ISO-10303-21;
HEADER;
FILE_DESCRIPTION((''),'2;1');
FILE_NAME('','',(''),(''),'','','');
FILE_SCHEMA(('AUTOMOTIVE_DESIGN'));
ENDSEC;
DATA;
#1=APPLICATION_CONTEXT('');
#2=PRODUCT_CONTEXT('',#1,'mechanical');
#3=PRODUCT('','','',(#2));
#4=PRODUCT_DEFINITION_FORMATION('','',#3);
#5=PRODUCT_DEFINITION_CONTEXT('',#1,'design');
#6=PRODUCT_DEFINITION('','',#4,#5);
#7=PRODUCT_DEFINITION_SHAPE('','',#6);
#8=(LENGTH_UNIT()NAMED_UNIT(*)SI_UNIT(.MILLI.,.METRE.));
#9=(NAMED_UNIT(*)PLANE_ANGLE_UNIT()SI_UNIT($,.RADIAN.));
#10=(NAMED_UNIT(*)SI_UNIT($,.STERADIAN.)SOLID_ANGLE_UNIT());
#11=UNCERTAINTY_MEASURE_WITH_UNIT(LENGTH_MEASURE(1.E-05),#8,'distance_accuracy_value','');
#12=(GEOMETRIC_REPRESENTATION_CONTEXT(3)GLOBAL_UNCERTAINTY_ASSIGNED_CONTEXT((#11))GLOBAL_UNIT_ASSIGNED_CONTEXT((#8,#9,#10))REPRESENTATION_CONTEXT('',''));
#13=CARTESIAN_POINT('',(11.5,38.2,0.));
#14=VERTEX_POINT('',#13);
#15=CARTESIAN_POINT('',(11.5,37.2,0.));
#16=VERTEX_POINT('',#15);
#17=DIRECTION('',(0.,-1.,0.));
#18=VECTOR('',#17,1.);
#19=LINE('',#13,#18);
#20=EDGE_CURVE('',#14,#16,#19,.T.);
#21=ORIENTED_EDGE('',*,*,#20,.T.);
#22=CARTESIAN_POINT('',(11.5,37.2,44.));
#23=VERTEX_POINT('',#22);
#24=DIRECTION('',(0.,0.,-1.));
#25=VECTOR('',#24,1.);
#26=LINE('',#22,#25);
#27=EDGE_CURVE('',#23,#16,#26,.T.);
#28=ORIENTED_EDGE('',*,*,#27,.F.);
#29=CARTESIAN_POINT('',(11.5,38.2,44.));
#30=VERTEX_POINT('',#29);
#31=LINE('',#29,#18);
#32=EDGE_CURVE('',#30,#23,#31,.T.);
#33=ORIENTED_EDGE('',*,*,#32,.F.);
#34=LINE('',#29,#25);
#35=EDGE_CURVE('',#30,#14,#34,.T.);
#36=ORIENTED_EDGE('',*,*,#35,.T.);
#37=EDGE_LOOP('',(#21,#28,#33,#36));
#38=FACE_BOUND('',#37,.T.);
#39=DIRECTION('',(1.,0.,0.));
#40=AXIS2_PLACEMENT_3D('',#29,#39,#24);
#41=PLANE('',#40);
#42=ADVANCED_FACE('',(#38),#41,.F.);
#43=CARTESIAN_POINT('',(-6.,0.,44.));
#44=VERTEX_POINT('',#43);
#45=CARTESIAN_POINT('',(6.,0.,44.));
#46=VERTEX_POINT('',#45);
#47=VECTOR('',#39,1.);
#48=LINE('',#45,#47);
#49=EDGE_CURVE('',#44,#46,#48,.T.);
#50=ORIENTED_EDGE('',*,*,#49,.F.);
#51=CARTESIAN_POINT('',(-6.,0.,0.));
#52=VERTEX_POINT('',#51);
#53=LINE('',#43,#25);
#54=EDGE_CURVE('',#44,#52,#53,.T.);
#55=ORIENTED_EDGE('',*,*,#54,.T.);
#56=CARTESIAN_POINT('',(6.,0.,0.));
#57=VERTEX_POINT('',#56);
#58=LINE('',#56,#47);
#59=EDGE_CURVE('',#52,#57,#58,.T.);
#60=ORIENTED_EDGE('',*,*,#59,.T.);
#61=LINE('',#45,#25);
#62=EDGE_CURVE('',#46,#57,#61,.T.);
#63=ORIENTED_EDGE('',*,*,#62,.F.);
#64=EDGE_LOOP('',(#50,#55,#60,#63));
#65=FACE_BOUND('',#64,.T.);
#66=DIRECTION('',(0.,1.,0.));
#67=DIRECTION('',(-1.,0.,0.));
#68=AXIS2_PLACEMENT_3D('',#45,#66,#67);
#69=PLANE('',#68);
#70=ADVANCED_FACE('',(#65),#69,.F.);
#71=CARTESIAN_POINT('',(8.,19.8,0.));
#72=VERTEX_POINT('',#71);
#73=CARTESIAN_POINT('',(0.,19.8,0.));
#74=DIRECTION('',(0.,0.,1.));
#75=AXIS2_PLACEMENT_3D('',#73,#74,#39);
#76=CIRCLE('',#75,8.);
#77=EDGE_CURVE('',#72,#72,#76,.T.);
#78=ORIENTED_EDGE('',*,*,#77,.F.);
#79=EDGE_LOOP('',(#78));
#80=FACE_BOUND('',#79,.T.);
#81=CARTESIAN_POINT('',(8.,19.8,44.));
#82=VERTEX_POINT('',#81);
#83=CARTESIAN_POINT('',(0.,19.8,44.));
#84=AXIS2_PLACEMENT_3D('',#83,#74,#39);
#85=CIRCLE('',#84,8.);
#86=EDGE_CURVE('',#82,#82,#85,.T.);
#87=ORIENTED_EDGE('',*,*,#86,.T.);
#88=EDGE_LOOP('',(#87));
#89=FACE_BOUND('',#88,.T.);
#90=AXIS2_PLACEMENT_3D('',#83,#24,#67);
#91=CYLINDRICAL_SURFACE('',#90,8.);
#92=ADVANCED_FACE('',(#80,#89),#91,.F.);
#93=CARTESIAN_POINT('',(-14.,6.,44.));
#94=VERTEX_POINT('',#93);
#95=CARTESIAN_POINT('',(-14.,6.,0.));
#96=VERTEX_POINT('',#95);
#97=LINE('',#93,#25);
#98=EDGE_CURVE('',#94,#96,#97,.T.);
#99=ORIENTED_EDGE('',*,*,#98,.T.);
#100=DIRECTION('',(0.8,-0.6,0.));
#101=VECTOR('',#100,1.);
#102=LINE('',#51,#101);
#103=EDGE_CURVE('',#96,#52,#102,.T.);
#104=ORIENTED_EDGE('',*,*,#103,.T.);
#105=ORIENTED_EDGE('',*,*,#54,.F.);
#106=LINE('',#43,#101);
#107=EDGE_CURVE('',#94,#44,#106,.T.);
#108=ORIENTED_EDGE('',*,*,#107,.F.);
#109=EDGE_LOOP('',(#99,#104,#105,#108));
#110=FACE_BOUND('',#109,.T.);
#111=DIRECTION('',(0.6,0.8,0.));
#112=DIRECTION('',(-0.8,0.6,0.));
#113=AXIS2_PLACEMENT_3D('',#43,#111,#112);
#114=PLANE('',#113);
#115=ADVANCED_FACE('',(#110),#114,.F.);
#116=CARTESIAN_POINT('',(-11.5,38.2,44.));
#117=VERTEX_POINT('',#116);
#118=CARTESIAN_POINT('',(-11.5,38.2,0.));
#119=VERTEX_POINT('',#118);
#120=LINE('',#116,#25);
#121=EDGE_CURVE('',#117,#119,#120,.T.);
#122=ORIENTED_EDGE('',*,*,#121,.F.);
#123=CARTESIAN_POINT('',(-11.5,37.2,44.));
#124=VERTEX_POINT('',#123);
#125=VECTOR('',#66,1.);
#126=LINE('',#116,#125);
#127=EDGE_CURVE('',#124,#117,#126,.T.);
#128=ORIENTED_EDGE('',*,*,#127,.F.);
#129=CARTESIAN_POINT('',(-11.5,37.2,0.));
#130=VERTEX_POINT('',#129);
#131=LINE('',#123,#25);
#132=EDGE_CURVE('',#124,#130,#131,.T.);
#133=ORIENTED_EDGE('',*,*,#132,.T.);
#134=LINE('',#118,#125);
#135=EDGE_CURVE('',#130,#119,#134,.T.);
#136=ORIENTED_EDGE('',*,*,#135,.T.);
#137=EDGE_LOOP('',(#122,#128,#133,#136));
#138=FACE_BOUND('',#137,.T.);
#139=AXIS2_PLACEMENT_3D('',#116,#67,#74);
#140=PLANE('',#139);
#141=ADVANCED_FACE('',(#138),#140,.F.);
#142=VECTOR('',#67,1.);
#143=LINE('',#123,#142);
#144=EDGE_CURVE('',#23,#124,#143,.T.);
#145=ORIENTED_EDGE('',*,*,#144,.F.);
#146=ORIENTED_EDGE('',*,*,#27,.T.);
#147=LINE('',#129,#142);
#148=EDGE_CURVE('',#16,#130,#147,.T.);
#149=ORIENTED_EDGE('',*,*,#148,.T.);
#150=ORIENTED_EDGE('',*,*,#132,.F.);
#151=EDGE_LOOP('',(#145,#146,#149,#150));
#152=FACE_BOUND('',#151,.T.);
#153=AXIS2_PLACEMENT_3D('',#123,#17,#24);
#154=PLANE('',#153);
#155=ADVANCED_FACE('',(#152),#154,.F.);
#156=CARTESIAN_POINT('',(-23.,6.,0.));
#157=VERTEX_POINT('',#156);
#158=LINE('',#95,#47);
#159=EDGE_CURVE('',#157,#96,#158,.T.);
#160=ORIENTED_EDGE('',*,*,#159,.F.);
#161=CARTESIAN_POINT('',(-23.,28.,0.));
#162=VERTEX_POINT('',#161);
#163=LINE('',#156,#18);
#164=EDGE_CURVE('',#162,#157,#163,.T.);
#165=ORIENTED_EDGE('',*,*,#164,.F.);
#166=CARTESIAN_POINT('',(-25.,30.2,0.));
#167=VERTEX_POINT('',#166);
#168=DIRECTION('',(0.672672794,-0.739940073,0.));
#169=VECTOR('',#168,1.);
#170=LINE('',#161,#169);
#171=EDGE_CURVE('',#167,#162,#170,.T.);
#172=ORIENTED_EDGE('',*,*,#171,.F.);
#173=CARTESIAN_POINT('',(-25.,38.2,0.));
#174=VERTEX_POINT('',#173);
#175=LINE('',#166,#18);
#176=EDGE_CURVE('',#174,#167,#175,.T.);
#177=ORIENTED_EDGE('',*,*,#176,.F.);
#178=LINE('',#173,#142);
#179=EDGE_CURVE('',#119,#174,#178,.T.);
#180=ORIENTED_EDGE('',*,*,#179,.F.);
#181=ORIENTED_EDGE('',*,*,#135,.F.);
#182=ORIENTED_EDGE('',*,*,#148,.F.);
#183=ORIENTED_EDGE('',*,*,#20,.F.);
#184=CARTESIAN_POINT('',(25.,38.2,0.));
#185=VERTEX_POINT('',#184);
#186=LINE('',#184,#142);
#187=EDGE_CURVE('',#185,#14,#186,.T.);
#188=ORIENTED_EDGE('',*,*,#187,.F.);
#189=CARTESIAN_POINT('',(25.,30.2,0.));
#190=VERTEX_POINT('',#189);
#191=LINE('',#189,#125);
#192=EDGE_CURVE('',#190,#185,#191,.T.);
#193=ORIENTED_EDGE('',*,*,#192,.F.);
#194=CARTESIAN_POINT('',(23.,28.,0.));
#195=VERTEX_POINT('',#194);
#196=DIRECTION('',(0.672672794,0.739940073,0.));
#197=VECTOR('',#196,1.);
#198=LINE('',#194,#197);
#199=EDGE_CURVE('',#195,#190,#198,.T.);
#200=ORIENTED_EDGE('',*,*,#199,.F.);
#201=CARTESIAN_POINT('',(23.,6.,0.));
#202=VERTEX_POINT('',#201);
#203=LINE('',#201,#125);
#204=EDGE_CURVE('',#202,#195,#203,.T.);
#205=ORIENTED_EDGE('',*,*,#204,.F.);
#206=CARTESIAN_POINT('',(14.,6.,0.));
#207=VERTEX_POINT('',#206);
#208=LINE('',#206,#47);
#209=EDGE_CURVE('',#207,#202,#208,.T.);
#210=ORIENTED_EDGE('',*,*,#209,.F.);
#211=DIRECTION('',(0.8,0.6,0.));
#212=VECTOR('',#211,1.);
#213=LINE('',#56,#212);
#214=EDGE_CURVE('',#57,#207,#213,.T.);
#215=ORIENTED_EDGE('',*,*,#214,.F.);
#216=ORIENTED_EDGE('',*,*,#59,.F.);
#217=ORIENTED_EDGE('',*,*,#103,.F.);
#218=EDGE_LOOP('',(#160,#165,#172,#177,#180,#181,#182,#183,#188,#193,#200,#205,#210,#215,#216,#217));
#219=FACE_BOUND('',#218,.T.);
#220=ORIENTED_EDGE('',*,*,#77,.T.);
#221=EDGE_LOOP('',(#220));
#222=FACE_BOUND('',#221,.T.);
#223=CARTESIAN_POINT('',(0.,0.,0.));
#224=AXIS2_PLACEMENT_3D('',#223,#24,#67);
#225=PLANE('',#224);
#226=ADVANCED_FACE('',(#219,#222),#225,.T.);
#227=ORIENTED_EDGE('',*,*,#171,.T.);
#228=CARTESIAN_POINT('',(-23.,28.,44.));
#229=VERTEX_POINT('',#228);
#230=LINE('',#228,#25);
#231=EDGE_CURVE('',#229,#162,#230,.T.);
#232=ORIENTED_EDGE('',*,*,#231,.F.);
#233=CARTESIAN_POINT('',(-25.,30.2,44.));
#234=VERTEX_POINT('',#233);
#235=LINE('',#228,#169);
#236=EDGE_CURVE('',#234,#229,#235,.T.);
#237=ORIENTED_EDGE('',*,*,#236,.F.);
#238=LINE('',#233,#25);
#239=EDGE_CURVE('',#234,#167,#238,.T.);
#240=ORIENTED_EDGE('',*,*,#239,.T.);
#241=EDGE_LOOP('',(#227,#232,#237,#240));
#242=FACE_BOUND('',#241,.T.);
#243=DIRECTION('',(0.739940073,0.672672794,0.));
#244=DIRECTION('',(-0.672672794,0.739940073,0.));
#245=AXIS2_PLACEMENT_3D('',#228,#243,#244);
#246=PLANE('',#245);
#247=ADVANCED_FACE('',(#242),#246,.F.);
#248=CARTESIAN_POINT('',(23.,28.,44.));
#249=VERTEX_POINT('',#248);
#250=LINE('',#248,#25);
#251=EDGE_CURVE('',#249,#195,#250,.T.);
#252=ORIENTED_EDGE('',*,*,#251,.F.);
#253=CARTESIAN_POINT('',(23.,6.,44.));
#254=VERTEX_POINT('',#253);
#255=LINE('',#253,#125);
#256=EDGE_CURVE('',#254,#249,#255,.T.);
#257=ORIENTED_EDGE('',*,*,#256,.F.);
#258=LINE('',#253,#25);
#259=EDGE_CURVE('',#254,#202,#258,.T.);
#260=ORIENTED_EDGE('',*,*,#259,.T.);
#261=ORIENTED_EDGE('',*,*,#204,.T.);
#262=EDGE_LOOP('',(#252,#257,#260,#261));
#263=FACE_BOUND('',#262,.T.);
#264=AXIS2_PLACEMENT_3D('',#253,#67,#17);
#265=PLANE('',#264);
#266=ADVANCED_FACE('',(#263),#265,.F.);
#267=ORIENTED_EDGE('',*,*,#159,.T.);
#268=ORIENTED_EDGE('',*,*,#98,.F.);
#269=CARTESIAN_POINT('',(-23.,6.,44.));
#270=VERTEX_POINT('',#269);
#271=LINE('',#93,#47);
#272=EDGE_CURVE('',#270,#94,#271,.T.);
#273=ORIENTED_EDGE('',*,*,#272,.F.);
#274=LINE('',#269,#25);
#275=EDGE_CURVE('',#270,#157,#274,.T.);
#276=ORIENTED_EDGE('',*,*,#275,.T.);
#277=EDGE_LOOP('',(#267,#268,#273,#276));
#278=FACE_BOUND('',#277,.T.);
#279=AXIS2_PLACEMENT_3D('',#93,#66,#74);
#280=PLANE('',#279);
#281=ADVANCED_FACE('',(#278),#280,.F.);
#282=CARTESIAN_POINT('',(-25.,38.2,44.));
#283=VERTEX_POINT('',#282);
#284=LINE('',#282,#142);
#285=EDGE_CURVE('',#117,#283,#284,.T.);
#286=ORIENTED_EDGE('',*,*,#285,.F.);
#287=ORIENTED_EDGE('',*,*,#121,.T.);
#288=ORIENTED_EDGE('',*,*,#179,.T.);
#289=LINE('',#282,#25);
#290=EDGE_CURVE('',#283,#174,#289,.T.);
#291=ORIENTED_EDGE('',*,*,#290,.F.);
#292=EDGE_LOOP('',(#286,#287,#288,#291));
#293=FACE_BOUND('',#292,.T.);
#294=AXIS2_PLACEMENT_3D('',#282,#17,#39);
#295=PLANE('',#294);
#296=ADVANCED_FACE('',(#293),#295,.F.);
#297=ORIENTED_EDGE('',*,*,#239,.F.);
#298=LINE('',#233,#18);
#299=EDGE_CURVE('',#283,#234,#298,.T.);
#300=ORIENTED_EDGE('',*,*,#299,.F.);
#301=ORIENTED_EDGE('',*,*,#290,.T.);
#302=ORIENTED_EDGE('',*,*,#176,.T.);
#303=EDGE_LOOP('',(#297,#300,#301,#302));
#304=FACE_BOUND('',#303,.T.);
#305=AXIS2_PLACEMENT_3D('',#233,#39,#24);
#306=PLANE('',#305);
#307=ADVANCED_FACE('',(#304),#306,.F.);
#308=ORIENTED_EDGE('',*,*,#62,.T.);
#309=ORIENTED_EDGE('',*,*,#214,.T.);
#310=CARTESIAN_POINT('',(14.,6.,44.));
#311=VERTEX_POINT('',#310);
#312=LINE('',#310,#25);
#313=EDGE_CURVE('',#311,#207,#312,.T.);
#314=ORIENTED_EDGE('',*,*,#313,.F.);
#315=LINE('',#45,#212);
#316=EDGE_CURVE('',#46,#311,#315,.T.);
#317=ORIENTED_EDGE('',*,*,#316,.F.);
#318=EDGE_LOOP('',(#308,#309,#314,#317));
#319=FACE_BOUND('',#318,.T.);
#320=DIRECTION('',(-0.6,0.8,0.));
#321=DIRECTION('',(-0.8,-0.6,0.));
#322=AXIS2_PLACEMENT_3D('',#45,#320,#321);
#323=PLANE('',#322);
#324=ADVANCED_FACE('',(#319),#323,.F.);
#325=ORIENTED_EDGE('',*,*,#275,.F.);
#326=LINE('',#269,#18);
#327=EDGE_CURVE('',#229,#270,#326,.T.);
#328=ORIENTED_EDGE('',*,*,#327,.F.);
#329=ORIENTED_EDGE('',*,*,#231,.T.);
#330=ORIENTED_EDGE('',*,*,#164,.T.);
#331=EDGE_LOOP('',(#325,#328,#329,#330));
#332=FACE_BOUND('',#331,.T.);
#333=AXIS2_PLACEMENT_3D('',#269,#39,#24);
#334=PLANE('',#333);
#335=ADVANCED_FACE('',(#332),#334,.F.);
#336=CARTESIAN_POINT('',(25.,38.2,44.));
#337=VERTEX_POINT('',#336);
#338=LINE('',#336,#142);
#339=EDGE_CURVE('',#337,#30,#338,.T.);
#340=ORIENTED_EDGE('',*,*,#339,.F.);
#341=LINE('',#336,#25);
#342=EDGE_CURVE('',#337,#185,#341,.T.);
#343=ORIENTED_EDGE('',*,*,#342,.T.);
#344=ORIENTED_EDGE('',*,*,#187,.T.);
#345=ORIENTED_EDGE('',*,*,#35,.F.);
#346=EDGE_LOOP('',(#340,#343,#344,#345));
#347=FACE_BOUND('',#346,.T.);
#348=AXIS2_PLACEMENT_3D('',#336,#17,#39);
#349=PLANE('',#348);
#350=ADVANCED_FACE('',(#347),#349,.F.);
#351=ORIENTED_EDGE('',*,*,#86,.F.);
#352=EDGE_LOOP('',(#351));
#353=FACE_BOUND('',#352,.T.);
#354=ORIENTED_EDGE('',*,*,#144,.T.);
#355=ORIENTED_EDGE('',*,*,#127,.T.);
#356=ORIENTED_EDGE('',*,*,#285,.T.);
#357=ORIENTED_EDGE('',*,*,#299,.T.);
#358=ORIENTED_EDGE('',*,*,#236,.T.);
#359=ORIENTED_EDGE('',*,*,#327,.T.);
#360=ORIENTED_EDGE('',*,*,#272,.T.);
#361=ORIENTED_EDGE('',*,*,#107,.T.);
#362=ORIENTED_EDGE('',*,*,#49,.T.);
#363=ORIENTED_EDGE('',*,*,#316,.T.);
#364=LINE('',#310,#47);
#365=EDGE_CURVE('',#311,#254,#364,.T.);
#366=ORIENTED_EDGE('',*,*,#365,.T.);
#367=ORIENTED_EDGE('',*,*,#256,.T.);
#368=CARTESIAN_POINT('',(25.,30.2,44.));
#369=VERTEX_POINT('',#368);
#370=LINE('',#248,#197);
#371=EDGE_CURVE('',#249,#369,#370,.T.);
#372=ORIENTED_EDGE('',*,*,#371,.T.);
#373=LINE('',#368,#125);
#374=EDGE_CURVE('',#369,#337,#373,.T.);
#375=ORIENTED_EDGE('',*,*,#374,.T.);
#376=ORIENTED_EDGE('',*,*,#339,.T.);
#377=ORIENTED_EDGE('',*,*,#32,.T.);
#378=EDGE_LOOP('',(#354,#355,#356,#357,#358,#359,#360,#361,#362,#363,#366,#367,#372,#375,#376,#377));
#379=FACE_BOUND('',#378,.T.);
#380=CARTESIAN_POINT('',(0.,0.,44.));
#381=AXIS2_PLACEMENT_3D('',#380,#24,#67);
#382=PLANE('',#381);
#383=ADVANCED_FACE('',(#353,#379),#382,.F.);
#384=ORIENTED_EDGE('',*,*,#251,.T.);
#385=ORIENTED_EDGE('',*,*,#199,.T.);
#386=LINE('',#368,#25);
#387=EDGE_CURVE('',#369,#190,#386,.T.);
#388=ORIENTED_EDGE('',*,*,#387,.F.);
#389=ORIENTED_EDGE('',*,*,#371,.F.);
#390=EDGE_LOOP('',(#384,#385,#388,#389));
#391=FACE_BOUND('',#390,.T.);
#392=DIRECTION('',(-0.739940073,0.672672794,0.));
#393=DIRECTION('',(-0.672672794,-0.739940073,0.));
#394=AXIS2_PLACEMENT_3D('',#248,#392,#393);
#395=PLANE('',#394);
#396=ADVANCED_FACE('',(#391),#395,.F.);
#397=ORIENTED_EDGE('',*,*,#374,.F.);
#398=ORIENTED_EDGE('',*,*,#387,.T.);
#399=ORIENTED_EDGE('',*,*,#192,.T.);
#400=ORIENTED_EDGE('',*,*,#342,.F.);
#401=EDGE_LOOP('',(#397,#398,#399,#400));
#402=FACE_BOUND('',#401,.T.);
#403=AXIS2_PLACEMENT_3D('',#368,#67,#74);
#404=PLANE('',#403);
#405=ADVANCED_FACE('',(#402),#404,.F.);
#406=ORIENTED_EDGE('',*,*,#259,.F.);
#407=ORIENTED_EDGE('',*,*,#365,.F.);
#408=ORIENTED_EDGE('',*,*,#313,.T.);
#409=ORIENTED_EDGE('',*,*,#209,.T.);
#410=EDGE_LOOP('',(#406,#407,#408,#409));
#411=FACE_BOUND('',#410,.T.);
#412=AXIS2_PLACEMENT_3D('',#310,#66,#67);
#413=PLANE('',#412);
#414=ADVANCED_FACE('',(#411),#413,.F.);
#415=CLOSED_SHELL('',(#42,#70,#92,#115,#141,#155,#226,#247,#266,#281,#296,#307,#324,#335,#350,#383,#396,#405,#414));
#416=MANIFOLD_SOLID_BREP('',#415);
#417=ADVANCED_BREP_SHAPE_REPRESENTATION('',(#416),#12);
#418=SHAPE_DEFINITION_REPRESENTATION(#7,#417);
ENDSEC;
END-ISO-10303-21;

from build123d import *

# Parameters (mm, degrees)
SKETCH_1_R      = 8
EXTRUDE_1_DEPTH = 44


with BuildPart() as part:
    # 草图1 → 凸台-拉伸1 (new body)
    with BuildSketch(Plane.XY):
        Polygon((6, 0), (-6, 0), (-14, 6), (-23, 6), (-23, 28), (-25, 30.2), (-25, 38.2), (-11.5, 38.2), (-11.5, 37.2), (11.5, 37.2), (11.5, 38.2), (25, 38.2), (25, 30.2), (23, 28), (23, 6), (14, 6), align=None)
        with Locations((0, 19.8)):
            Circle(SKETCH_1_R, mode=Mode.SUBTRACT)
    extrude(amount=EXTRUDE_1_DEPTH)


solid = part.part
